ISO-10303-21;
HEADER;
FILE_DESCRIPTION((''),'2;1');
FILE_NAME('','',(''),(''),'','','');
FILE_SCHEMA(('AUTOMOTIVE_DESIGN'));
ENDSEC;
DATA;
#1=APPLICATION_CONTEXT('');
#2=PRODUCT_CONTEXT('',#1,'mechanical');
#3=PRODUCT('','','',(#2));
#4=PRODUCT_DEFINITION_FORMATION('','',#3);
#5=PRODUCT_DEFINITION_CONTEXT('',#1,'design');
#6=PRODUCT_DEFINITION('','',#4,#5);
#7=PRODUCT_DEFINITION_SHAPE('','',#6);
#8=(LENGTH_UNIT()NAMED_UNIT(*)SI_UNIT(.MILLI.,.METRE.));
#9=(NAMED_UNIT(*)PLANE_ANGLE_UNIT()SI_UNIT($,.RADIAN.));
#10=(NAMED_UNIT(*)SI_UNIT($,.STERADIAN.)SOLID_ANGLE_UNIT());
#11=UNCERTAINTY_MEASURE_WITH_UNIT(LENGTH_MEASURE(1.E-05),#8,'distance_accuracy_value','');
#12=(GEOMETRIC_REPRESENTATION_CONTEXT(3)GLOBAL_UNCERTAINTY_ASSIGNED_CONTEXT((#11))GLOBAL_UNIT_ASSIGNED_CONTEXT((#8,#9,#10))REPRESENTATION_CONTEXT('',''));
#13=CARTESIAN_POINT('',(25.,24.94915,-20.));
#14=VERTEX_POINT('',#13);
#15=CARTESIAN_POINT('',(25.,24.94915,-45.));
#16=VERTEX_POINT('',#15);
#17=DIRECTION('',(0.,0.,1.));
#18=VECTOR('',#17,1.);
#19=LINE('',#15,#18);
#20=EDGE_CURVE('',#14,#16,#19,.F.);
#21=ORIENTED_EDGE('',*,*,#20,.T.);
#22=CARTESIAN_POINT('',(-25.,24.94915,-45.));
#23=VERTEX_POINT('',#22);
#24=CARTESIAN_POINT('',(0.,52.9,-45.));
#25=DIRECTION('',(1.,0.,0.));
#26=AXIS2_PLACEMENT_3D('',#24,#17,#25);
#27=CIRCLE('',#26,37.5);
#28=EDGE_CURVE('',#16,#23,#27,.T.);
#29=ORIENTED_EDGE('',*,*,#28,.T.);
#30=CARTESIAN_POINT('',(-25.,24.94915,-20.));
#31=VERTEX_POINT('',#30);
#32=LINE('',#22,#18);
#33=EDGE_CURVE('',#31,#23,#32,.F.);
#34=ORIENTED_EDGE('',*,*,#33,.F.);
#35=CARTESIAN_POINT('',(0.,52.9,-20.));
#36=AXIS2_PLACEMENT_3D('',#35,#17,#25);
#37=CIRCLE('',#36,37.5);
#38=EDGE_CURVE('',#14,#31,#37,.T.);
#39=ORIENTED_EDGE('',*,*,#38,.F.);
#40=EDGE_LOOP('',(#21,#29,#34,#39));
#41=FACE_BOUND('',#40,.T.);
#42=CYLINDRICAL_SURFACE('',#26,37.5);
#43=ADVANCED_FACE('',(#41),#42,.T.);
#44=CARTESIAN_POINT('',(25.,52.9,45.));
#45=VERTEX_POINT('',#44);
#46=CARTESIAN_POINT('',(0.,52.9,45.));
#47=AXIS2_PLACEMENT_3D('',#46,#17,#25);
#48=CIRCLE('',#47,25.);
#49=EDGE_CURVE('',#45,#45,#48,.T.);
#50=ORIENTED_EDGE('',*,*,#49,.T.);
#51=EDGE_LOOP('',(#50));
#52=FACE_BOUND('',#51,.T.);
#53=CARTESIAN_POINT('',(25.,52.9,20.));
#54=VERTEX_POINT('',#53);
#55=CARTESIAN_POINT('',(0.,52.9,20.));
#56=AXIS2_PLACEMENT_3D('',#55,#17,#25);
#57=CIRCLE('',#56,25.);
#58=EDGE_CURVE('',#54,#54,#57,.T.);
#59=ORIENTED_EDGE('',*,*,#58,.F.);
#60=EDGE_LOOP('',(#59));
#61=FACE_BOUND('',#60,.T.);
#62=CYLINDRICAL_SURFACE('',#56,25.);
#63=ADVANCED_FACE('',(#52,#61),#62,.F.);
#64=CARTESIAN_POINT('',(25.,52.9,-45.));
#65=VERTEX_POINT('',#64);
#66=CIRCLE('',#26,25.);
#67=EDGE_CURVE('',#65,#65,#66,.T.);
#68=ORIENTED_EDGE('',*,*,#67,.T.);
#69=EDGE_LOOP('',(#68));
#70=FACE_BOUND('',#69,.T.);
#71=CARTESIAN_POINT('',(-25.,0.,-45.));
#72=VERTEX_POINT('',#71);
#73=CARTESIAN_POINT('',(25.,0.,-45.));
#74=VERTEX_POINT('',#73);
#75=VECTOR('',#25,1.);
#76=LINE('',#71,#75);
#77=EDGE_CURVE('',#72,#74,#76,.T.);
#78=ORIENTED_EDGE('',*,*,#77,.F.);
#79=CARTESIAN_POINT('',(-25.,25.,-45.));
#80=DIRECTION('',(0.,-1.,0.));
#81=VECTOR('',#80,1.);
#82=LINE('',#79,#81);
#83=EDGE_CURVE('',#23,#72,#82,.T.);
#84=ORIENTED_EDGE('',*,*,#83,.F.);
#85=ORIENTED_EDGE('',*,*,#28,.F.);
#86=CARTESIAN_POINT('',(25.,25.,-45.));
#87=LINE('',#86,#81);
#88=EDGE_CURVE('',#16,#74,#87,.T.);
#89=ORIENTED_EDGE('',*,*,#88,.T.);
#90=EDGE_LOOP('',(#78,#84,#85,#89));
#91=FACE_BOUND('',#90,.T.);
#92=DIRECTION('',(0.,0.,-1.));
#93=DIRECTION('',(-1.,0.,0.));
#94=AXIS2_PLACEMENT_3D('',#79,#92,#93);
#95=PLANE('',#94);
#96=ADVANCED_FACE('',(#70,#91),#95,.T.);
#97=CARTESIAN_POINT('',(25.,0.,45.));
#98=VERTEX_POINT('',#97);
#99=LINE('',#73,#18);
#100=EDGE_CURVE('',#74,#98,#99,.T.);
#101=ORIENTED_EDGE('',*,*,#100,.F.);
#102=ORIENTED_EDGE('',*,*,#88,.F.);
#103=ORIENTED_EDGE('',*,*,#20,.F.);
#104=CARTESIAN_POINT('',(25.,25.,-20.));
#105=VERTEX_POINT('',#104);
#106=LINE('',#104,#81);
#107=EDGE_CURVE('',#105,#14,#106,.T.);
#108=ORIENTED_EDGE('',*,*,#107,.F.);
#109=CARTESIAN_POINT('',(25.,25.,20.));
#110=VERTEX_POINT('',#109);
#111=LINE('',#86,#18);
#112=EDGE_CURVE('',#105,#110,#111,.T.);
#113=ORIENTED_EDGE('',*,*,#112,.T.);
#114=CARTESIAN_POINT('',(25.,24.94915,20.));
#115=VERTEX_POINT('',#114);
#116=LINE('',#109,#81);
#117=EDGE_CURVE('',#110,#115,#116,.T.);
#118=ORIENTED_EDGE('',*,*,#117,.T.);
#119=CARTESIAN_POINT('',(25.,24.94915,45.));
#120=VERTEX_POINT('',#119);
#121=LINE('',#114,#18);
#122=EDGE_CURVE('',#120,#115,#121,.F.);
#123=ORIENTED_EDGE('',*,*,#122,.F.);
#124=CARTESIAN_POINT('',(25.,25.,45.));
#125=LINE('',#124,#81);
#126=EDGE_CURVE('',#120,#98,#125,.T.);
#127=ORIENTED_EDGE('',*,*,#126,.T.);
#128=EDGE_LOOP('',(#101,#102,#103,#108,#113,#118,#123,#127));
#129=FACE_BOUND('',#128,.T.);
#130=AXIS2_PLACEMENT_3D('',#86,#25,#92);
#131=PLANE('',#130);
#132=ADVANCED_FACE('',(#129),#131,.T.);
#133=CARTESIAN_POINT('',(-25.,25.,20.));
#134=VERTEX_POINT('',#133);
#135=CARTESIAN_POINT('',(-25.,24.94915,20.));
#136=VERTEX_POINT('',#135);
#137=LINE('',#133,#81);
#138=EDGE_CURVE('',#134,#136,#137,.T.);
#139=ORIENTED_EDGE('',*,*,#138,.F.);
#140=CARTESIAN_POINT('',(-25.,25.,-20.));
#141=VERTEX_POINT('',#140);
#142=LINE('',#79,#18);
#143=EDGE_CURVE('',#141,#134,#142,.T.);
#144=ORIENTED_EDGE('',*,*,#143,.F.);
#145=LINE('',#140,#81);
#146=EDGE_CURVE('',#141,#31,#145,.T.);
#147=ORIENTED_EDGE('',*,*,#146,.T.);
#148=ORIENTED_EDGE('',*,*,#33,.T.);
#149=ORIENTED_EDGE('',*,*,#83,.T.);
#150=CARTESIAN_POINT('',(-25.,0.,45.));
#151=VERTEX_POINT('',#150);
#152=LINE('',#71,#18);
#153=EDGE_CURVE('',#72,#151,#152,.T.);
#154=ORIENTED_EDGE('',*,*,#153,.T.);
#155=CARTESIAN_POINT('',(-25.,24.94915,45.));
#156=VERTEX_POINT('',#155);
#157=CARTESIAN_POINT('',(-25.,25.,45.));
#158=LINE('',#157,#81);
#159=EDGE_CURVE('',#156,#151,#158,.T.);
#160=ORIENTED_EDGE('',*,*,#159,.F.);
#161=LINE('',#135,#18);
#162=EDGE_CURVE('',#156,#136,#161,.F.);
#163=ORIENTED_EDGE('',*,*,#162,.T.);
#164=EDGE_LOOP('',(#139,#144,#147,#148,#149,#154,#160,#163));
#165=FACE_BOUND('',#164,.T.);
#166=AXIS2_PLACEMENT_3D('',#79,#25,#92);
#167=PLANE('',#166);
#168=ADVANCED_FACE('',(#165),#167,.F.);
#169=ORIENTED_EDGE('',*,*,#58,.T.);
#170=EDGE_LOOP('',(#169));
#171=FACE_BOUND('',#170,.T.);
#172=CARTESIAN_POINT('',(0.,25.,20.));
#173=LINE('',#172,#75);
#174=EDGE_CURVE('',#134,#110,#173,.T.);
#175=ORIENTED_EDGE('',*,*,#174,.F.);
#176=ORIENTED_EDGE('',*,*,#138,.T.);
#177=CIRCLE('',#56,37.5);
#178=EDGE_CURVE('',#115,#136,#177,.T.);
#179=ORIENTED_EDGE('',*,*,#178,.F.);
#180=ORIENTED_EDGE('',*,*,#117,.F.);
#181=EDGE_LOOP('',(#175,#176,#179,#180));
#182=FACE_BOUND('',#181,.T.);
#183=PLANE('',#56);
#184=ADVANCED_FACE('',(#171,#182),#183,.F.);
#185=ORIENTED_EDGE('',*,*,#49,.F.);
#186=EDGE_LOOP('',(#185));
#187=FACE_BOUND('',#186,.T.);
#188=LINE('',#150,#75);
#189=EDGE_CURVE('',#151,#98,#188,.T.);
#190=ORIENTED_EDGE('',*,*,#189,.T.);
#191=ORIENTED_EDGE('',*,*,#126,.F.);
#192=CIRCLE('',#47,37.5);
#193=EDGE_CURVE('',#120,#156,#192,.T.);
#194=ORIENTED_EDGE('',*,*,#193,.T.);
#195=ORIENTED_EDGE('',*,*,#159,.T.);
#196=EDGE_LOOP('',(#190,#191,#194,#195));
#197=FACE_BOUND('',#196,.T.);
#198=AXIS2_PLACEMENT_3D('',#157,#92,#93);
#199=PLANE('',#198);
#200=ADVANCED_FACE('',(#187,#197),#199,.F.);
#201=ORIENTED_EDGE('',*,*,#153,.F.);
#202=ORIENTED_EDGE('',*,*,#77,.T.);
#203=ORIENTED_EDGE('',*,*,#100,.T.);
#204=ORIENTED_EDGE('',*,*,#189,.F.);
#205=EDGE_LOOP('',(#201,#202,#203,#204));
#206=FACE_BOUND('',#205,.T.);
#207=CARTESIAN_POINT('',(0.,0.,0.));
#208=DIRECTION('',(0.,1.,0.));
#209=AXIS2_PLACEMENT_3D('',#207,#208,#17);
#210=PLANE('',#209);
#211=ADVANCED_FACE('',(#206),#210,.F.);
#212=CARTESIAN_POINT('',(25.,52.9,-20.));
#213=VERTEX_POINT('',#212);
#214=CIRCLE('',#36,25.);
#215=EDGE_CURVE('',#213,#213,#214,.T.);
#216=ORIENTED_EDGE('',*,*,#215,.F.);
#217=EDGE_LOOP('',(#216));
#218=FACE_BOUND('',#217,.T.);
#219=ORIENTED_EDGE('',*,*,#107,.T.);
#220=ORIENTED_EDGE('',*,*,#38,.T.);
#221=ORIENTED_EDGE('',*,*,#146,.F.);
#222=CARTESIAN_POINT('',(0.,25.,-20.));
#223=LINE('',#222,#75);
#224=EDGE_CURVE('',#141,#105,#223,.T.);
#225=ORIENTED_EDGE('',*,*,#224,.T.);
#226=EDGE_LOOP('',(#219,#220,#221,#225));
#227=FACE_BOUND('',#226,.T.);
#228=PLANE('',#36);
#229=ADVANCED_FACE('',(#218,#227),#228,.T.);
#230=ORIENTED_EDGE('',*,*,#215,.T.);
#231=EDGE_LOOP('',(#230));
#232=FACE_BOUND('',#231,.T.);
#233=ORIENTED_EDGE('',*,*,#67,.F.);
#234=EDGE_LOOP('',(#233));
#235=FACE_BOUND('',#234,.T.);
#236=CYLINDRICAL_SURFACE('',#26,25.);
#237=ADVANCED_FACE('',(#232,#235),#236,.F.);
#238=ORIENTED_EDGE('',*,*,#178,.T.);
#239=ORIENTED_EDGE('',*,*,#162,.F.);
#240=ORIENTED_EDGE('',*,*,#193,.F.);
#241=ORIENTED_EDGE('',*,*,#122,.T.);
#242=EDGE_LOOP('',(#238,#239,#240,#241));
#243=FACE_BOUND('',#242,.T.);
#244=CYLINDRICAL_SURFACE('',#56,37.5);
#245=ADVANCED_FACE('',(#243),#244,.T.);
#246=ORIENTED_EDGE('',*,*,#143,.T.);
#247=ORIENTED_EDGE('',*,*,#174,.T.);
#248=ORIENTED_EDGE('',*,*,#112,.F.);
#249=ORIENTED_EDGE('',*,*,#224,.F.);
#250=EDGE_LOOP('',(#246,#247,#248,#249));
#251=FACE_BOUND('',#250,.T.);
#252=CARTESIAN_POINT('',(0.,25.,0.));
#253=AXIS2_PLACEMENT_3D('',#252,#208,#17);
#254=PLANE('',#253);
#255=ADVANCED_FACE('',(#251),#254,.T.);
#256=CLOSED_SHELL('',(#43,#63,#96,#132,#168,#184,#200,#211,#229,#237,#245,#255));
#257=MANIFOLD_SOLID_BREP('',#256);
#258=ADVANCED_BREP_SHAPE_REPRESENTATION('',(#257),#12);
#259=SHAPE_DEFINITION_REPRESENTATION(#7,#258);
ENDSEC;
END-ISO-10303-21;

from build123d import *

# Parameters (mm, degrees)
SKETCH1_W           = 50
SKETCH1_H           = 90
BOSS_EXTRUDE1_DEPTH = 25
SKETCH2_R           = 37.5
BOSS_EXTRUDE2_DEPTH = 25
SKETCH3_R           = 25
CUT_EXTRUDE1_DEPTH  = 25
LPATTERN3_COUNT     = 2
LPATTERN3_PITCH     = 65


with BuildPart() as part:
    # Sketch1 → Boss-Extrude1 (new body)
    with BuildSketch(Plane(origin=(0, 0, 0), x_dir=(1, 0, 0), z_dir=(0, 1, 0))):
        Rectangle(SKETCH1_W, SKETCH1_H)
    extrude(amount=BOSS_EXTRUDE1_DEPTH)

    # Sketch2 → Boss-Extrude2 (add)
    with BuildSketch(Plane.XY.offset(45)):
        with Locations((0, 52.9)):
            Circle(SKETCH2_R)
    boss_extrude2 = extrude(amount=-BOSS_EXTRUDE2_DEPTH)

    # Sketch3 → Cut-Extrude1 (cut)
    with BuildSketch(Plane.XY.offset(45)):
        with Locations((0, 52.9)):
            Circle(SKETCH3_R)
    cut_extrude1 = extrude(amount=-CUT_EXTRUDE1_DEPTH, mode=Mode.SUBTRACT)

    # LPattern3: Boss-Extrude2, Cut-Extrude1 ×2
    with Locations(*[(0, 0, -i * LPATTERN3_PITCH) for i in range(1, LPATTERN3_COUNT)]):
        add(boss_extrude2)
        add(cut_extrude1, mode=Mode.SUBTRACT)


solid = part.part
